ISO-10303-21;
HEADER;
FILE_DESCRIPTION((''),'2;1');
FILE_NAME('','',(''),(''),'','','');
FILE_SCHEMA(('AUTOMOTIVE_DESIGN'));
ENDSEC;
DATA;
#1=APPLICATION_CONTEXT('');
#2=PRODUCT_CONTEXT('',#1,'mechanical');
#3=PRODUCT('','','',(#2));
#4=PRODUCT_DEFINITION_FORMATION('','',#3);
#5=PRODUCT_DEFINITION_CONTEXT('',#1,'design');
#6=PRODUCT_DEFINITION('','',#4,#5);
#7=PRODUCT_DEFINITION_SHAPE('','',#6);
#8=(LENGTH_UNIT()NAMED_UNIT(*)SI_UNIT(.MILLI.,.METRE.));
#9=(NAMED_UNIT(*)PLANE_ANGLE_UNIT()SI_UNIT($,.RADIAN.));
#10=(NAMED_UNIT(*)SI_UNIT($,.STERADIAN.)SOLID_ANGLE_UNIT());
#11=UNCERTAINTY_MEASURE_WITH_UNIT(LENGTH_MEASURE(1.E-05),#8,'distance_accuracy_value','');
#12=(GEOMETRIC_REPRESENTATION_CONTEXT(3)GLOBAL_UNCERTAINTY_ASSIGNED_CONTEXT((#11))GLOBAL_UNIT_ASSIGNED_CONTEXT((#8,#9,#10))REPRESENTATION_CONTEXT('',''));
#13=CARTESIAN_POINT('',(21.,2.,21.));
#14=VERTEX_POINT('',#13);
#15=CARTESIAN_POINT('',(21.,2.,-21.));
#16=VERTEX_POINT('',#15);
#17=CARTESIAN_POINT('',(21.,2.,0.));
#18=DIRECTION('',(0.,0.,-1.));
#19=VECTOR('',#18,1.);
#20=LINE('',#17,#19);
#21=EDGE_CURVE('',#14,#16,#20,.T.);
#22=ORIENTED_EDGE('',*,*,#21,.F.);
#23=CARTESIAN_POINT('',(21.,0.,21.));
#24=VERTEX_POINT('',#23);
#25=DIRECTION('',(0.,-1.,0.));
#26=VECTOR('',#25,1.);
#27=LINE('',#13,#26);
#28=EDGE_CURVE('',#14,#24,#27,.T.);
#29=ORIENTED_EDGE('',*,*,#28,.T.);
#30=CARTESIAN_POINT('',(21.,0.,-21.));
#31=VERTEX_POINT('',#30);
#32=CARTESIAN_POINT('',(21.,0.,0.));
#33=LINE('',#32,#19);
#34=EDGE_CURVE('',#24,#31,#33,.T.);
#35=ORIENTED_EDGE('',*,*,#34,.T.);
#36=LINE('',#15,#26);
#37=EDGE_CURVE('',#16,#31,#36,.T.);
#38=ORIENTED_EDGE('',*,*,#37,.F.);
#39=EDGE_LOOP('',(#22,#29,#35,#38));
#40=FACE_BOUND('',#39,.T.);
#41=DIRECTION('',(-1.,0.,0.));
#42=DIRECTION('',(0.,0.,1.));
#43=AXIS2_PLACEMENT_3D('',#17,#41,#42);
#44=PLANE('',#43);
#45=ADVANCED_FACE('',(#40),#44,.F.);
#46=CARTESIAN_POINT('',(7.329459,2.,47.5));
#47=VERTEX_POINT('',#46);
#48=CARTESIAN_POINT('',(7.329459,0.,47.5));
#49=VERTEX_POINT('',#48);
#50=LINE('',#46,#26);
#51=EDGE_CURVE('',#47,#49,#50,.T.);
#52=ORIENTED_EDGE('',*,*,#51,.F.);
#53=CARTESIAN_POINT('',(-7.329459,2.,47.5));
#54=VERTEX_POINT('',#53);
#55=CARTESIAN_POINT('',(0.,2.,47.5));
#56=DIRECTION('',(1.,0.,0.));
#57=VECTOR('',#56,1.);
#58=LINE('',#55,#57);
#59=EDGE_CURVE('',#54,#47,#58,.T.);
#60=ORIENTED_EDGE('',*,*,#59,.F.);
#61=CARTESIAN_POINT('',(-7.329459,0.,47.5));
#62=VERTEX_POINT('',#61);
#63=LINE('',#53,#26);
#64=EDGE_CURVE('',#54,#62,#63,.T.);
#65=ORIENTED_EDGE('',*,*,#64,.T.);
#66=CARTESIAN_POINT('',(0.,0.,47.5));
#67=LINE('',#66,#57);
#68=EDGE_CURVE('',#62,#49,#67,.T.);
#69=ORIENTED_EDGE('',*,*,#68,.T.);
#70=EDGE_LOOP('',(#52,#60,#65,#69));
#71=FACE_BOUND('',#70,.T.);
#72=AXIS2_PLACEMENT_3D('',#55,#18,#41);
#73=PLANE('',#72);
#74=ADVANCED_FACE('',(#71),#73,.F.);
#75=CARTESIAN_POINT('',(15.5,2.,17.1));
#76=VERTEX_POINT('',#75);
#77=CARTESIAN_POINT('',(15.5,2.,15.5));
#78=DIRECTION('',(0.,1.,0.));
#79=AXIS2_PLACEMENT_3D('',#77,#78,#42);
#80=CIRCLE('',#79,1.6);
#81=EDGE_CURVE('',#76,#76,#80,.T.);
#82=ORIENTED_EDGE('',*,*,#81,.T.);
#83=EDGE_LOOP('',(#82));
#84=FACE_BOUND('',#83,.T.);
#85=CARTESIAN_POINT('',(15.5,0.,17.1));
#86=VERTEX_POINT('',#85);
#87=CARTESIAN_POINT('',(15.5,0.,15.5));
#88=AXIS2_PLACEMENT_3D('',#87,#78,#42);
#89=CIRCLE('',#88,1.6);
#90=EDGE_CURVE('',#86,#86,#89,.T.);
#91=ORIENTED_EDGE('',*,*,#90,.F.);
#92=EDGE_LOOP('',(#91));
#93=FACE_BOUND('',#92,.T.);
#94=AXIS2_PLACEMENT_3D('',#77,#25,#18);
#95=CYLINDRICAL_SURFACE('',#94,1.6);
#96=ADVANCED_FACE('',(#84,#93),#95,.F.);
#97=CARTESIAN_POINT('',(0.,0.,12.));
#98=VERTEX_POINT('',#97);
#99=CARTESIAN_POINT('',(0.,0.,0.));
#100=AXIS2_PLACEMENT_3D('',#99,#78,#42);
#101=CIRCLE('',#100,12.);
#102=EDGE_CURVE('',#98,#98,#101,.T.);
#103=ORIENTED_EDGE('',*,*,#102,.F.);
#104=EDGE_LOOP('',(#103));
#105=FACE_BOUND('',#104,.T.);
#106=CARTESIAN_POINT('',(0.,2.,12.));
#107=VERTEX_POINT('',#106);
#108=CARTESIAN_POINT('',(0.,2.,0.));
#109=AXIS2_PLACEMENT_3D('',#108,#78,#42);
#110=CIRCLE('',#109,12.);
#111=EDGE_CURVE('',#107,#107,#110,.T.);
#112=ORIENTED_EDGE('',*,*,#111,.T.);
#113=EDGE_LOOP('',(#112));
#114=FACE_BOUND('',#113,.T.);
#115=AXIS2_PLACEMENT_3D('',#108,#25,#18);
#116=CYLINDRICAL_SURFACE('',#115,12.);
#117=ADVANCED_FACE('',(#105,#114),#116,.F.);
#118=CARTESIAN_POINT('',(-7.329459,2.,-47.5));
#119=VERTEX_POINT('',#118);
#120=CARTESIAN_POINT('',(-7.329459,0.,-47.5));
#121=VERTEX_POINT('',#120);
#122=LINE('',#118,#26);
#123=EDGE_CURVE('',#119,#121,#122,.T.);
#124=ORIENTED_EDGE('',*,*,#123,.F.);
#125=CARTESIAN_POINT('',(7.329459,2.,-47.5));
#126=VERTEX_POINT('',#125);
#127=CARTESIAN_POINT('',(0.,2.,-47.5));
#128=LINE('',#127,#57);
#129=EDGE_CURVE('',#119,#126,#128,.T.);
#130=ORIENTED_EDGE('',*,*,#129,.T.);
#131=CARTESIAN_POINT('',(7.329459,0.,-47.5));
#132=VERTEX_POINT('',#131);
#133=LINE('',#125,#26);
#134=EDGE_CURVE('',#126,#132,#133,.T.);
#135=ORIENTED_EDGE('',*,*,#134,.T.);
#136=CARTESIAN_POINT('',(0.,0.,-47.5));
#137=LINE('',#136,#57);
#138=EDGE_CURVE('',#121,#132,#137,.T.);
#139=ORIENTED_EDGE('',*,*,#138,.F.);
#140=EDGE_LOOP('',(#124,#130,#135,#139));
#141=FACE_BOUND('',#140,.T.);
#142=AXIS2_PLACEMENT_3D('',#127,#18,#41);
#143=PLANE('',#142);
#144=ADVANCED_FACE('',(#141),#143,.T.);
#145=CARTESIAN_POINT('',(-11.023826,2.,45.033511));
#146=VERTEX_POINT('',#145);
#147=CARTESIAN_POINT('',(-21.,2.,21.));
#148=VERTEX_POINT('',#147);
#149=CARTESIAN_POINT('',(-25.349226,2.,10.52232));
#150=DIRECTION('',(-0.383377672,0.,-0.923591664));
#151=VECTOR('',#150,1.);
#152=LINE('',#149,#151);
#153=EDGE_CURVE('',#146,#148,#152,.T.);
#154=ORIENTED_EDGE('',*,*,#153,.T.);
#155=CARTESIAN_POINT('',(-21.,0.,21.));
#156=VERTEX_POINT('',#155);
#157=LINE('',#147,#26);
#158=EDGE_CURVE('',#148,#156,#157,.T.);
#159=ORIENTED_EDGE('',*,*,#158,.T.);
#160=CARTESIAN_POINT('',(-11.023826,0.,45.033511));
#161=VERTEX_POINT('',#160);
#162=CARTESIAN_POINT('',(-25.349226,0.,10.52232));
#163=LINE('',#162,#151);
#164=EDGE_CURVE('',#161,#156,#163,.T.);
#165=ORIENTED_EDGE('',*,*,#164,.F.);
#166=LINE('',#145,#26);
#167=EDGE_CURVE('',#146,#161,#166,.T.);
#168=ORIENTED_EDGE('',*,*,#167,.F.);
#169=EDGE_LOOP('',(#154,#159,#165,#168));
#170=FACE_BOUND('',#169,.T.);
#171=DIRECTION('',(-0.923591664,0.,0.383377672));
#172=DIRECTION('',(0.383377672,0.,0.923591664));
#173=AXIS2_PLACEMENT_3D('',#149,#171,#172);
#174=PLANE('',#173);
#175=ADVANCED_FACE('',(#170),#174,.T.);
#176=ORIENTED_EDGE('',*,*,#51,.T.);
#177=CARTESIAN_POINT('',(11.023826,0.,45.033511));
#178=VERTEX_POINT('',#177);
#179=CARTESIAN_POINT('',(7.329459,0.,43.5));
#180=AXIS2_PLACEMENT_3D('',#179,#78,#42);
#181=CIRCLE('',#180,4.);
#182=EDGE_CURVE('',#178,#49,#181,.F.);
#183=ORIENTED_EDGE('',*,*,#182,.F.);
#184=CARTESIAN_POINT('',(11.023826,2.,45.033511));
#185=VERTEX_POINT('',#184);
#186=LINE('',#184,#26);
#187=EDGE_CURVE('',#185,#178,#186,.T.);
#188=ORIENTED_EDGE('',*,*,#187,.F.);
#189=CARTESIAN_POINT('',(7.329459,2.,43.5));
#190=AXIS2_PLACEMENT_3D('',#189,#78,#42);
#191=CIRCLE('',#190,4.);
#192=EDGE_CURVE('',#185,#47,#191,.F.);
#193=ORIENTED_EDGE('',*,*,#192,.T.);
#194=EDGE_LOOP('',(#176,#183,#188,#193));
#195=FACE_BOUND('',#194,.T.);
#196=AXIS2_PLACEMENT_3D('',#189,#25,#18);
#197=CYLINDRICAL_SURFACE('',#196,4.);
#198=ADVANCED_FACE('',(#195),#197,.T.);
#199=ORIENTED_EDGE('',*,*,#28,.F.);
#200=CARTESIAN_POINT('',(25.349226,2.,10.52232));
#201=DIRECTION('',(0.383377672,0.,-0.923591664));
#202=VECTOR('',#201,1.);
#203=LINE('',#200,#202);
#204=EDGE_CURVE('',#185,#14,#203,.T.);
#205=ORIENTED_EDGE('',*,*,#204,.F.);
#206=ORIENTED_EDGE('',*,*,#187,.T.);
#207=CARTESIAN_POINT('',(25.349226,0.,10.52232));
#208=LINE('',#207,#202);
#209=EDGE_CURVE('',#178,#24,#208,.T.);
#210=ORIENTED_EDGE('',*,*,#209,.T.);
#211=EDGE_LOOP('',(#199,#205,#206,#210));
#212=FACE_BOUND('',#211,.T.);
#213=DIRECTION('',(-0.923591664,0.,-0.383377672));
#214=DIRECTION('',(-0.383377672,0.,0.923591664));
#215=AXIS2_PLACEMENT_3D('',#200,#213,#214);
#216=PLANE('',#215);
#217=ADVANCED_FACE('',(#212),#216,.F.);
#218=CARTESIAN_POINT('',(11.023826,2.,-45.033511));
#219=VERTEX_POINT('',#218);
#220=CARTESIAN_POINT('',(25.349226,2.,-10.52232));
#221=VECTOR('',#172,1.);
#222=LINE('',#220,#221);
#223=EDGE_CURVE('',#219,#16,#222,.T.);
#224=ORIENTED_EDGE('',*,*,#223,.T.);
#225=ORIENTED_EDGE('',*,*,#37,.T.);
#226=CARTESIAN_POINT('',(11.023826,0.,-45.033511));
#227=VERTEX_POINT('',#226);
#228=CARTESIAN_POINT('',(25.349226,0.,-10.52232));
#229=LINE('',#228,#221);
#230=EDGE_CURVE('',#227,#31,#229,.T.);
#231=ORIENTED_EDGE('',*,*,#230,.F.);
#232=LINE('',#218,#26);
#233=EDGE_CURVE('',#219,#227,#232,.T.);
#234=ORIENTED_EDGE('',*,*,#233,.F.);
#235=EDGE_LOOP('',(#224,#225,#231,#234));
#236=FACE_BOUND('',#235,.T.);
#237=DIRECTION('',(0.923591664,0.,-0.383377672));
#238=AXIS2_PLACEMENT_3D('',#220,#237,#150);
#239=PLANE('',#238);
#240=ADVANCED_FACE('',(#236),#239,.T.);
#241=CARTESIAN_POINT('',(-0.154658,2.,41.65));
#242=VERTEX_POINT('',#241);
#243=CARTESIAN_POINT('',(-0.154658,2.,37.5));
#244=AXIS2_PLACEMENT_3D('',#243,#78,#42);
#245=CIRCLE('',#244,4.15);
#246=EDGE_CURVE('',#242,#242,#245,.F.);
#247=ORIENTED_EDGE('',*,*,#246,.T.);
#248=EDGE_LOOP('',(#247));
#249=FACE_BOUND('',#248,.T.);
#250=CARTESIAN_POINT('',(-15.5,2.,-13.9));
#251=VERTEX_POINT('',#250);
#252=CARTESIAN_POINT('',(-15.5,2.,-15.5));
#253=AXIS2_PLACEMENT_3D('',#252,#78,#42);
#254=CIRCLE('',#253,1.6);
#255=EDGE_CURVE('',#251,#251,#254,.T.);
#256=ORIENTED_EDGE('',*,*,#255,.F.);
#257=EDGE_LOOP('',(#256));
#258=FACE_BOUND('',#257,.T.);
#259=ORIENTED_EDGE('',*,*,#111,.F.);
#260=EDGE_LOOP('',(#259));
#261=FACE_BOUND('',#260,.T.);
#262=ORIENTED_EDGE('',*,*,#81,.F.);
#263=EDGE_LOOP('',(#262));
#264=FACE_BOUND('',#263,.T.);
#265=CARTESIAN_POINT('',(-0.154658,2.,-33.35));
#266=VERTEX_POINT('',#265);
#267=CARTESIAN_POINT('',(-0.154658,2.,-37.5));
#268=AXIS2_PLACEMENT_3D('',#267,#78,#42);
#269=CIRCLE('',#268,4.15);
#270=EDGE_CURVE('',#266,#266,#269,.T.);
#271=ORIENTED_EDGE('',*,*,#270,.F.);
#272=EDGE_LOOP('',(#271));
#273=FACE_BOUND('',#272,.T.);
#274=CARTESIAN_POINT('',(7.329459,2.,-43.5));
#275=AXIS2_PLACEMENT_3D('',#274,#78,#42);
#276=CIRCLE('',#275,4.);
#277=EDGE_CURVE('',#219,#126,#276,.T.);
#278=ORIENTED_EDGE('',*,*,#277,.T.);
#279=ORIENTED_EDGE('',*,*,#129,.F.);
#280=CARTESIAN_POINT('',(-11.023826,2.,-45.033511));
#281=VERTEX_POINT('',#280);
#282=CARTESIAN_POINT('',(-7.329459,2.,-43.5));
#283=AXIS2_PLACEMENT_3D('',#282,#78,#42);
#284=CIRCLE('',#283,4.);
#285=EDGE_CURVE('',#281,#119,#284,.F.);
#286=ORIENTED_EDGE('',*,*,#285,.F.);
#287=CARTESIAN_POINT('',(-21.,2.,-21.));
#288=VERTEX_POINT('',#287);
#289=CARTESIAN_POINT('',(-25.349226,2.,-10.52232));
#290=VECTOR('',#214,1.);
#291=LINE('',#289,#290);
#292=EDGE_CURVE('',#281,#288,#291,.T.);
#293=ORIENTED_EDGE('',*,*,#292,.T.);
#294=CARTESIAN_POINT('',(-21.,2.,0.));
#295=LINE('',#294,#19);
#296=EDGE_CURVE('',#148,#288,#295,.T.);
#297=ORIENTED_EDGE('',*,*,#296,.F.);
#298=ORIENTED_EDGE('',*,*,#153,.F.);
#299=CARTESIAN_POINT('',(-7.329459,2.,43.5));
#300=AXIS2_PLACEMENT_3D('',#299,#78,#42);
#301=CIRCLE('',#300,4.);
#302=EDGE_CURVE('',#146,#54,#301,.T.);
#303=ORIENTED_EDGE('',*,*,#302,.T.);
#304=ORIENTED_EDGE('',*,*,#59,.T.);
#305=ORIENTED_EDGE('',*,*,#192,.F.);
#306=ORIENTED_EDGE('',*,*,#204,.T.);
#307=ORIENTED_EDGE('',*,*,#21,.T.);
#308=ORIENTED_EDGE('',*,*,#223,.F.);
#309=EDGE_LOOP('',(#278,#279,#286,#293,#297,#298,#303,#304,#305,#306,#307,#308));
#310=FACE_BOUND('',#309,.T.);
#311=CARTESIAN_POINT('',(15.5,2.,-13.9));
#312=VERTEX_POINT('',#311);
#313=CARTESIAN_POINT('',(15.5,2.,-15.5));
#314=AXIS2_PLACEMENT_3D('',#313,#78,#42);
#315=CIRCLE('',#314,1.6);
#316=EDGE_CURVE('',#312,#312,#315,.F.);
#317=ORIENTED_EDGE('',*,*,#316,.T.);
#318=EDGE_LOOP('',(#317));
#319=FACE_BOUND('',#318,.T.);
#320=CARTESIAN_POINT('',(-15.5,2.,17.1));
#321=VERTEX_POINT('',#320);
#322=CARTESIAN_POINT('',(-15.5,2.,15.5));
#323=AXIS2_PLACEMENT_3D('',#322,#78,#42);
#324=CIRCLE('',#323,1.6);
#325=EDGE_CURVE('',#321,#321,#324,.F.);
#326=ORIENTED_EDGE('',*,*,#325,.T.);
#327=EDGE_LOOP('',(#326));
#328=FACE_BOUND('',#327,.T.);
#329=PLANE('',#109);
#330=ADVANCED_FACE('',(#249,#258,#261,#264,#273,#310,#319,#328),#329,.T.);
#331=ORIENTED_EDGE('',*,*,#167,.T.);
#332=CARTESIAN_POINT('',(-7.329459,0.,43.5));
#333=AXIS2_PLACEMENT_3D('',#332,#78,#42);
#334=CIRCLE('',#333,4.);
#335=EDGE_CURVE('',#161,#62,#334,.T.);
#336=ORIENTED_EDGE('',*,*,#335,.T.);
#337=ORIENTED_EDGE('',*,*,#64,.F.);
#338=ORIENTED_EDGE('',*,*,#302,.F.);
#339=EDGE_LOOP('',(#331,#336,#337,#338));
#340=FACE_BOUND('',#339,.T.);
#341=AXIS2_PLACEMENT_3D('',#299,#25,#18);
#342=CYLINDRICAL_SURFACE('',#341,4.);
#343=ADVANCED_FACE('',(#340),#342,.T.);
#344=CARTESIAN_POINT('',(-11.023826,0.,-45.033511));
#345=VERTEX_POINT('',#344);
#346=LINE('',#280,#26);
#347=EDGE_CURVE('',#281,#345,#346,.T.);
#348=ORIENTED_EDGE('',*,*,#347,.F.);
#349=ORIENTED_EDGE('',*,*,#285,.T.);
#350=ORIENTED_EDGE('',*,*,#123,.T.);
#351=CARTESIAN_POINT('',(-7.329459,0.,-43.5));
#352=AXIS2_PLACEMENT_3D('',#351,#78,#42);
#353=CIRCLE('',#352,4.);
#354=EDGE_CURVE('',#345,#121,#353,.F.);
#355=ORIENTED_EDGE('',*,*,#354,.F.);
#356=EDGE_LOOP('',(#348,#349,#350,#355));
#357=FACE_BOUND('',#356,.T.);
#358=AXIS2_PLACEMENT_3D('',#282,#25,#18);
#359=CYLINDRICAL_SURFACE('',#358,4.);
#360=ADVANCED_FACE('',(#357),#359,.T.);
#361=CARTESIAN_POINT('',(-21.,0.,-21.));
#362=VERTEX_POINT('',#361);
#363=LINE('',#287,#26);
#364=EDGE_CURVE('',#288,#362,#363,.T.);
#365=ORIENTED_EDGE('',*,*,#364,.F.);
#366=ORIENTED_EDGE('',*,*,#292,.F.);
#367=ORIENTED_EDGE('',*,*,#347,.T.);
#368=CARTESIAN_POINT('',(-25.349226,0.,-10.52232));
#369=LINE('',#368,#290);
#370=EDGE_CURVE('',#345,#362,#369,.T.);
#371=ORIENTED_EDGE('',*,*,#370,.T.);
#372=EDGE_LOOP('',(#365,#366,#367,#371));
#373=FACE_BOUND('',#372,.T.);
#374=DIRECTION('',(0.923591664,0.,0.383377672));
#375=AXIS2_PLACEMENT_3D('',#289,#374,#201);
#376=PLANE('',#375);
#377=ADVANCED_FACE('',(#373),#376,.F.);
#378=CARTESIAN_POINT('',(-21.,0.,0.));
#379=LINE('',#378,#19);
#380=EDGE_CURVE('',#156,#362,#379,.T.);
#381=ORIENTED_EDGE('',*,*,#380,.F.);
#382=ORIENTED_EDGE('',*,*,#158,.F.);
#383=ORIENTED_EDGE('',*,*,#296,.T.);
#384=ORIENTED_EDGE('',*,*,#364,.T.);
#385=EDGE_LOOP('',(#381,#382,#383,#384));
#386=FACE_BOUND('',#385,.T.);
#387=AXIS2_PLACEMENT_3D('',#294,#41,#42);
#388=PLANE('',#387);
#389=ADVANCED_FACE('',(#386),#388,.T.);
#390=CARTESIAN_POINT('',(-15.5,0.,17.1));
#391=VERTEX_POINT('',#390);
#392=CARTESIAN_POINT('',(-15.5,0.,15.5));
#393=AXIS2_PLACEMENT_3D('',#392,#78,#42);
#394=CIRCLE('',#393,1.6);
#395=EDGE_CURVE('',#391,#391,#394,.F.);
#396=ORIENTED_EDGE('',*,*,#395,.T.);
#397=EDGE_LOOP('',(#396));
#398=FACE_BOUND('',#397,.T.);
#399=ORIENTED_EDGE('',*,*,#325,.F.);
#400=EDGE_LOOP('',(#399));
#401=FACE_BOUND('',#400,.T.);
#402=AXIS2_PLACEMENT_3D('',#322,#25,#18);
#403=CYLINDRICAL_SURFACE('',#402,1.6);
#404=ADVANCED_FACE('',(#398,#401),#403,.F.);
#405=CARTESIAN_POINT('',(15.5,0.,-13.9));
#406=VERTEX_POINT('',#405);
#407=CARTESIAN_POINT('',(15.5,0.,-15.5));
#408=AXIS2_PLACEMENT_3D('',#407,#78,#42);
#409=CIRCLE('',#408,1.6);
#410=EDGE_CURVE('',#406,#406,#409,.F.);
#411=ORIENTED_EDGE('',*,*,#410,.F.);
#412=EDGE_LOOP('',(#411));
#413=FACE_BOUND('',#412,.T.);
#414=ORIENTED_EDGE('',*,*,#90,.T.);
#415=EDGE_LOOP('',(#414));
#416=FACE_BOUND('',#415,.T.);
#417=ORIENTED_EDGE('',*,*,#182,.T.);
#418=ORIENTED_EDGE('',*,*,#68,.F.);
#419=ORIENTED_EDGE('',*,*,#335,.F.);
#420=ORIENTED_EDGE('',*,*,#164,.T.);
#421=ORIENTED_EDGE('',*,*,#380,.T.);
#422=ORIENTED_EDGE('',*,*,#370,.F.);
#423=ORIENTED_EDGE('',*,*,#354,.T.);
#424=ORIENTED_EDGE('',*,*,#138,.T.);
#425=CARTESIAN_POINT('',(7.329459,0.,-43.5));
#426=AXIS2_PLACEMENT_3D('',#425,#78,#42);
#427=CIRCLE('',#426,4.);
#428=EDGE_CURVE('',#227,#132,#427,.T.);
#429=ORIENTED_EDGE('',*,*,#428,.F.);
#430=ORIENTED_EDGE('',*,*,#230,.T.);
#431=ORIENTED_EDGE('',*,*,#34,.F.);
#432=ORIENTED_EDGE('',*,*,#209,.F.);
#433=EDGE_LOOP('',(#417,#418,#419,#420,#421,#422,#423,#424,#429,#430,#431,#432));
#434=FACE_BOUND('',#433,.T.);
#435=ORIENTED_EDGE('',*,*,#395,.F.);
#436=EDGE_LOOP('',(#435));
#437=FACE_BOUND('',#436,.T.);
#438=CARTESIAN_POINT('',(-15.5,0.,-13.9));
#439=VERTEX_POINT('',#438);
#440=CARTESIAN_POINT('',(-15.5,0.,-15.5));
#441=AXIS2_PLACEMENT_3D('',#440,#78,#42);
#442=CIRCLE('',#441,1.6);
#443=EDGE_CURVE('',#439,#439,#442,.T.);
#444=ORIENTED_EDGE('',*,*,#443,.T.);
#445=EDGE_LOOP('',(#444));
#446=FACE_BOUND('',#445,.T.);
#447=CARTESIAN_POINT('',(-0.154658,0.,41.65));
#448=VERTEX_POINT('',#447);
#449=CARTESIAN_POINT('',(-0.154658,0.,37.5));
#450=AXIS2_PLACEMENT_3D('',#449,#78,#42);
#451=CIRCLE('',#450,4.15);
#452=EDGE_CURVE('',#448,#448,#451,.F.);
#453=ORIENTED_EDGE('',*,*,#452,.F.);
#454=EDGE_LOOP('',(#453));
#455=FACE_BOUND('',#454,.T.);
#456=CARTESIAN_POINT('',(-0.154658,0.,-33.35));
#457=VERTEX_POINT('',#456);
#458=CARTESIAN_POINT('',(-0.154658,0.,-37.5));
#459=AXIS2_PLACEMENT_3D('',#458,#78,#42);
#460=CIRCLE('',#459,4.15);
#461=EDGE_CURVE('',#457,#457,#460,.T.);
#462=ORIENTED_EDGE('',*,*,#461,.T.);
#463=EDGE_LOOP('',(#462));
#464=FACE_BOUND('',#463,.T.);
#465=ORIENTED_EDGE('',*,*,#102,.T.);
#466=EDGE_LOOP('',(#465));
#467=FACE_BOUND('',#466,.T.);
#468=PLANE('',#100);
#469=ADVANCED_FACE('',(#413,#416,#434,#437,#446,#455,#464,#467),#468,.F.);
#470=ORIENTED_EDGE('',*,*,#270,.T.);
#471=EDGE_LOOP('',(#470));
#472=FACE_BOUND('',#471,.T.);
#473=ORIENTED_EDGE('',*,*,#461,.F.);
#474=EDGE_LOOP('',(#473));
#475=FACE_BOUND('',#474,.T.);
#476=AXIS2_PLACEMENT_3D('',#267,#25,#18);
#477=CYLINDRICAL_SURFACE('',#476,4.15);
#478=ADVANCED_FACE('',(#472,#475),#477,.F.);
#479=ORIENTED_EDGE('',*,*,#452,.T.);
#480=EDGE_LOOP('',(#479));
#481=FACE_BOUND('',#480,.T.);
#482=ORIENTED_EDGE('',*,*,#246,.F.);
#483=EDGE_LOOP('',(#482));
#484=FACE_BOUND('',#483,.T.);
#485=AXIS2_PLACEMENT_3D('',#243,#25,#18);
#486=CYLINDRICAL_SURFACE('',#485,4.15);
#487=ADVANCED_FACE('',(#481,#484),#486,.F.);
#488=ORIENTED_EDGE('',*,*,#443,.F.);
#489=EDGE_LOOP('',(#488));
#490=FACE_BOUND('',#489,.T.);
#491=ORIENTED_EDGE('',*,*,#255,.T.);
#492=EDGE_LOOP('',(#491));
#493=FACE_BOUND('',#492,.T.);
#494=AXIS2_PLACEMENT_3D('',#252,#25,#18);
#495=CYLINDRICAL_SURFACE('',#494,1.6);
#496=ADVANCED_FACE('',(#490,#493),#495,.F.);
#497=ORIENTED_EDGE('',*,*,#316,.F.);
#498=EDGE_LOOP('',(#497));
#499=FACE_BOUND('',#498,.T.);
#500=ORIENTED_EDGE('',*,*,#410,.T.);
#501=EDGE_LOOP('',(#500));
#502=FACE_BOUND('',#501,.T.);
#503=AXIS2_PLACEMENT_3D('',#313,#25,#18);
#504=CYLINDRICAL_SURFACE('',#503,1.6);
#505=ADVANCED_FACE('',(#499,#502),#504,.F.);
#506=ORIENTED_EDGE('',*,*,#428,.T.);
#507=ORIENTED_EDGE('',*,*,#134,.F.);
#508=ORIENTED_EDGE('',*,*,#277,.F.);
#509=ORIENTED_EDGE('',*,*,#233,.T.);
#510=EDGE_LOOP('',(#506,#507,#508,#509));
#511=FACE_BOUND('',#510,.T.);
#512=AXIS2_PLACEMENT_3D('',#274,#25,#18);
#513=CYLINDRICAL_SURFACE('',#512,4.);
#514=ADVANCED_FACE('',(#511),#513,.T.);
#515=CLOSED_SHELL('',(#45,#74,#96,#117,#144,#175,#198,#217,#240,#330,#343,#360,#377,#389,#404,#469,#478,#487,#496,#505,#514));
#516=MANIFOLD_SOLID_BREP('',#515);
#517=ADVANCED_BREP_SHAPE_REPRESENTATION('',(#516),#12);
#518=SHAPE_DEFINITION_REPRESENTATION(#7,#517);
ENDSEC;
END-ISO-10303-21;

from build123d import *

# Parameters (mm, degrees)
SKETCH1_R           = 4.15
SKETCH1_W           = 42
SKETCH1_H           = 42
SKETCH1_R_2         = 1.6
SKETCH1_R_3         = 12
BOSS_EXTRUDE1_DEPTH = 2


with BuildPart() as part:
    # Sketch1 → Boss-Extrude1 (new body)
    # profile 1 of 3: a face of its own
    with BuildSketch(Plane(origin=(0, 0, 0), x_dir=(1, 0, 0), z_dir=(0, 1, 0))):
        with BuildLine():
            ThreePointArc((11.023825753, -45.033510687), (9.550490082, -46.826713299), (7.329459099, -47.5))
            Line((7.329459099, -47.5), (-7.329459099, -47.5))
            ThreePointArc((-7.329459099, -47.5), (-9.550490082, -46.826713299), (-11.023825753, -45.033510687))
            Line((-11.023825753, -45.033510687), (-21, -21))
            Line((-21, -21), (21, -21))
            Line((21, -21), (11.023825753, -45.033510687))
        make_face()
        with Locations(Location((-0.154657952, -37.5, 0), (0, 0, 270))):
            Circle(SKETCH1_R, mode=Mode.SUBTRACT)
    # profile 2 of 3: a face of its own
    with BuildSketch(Plane(origin=(0, 0, 0), x_dir=(1, 0, 0), z_dir=(0, 1, 0))):
        Rectangle(SKETCH1_W, SKETCH1_H)
        with Locations(Location((15.5, 15.5, 0), (0, 0, 270))):
            Circle(SKETCH1_R_2, mode=Mode.SUBTRACT)
        with Locations(Location((-15.5, 15.5, 0), (0, 0, 270))):
            Circle(SKETCH1_R_2, mode=Mode.SUBTRACT)
        with Locations(Location((0, 0, 0), (0, 0, 270))):
            Circle(SKETCH1_R_3, mode=Mode.SUBTRACT)
        with Locations(Location((15.5, -15.5, 0), (0, 0, 270))):
            Circle(SKETCH1_R_2, mode=Mode.SUBTRACT)
        with Locations(Location((-15.5, -15.5, 0), (0, 0, 270))):
            Circle(SKETCH1_R_2, mode=Mode.SUBTRACT)
    # profile 3 of 3: a face of its own
    with BuildSketch(Plane(origin=(0, 0, 0), x_dir=(1, 0, 0), z_dir=(0, 1, 0))):
        with BuildLine():
            ThreePointArc((-11.023825753, 45.033510687), (-9.550490082, 46.826713299), (-7.329459099, 47.5))
            Line((-7.329459099, 47.5), (7.329459099, 47.5))
            ThreePointArc((7.329459099, 47.5), (9.550490082, 46.826713299), (11.023825753, 45.033510687))
            Line((11.023825753, 45.033510687), (21, 21))
            Line((21, 21), (-21, 21))
            Line((-21, 21), (-11.023825753, 45.033510687))
        make_face()
        with Locations(Location((-0.154657952, 37.5, 0), (0, 0, 270))):
            Circle(SKETCH1_R, mode=Mode.SUBTRACT)
    extrude(amount=BOSS_EXTRUDE1_DEPTH)


solid = part.part
